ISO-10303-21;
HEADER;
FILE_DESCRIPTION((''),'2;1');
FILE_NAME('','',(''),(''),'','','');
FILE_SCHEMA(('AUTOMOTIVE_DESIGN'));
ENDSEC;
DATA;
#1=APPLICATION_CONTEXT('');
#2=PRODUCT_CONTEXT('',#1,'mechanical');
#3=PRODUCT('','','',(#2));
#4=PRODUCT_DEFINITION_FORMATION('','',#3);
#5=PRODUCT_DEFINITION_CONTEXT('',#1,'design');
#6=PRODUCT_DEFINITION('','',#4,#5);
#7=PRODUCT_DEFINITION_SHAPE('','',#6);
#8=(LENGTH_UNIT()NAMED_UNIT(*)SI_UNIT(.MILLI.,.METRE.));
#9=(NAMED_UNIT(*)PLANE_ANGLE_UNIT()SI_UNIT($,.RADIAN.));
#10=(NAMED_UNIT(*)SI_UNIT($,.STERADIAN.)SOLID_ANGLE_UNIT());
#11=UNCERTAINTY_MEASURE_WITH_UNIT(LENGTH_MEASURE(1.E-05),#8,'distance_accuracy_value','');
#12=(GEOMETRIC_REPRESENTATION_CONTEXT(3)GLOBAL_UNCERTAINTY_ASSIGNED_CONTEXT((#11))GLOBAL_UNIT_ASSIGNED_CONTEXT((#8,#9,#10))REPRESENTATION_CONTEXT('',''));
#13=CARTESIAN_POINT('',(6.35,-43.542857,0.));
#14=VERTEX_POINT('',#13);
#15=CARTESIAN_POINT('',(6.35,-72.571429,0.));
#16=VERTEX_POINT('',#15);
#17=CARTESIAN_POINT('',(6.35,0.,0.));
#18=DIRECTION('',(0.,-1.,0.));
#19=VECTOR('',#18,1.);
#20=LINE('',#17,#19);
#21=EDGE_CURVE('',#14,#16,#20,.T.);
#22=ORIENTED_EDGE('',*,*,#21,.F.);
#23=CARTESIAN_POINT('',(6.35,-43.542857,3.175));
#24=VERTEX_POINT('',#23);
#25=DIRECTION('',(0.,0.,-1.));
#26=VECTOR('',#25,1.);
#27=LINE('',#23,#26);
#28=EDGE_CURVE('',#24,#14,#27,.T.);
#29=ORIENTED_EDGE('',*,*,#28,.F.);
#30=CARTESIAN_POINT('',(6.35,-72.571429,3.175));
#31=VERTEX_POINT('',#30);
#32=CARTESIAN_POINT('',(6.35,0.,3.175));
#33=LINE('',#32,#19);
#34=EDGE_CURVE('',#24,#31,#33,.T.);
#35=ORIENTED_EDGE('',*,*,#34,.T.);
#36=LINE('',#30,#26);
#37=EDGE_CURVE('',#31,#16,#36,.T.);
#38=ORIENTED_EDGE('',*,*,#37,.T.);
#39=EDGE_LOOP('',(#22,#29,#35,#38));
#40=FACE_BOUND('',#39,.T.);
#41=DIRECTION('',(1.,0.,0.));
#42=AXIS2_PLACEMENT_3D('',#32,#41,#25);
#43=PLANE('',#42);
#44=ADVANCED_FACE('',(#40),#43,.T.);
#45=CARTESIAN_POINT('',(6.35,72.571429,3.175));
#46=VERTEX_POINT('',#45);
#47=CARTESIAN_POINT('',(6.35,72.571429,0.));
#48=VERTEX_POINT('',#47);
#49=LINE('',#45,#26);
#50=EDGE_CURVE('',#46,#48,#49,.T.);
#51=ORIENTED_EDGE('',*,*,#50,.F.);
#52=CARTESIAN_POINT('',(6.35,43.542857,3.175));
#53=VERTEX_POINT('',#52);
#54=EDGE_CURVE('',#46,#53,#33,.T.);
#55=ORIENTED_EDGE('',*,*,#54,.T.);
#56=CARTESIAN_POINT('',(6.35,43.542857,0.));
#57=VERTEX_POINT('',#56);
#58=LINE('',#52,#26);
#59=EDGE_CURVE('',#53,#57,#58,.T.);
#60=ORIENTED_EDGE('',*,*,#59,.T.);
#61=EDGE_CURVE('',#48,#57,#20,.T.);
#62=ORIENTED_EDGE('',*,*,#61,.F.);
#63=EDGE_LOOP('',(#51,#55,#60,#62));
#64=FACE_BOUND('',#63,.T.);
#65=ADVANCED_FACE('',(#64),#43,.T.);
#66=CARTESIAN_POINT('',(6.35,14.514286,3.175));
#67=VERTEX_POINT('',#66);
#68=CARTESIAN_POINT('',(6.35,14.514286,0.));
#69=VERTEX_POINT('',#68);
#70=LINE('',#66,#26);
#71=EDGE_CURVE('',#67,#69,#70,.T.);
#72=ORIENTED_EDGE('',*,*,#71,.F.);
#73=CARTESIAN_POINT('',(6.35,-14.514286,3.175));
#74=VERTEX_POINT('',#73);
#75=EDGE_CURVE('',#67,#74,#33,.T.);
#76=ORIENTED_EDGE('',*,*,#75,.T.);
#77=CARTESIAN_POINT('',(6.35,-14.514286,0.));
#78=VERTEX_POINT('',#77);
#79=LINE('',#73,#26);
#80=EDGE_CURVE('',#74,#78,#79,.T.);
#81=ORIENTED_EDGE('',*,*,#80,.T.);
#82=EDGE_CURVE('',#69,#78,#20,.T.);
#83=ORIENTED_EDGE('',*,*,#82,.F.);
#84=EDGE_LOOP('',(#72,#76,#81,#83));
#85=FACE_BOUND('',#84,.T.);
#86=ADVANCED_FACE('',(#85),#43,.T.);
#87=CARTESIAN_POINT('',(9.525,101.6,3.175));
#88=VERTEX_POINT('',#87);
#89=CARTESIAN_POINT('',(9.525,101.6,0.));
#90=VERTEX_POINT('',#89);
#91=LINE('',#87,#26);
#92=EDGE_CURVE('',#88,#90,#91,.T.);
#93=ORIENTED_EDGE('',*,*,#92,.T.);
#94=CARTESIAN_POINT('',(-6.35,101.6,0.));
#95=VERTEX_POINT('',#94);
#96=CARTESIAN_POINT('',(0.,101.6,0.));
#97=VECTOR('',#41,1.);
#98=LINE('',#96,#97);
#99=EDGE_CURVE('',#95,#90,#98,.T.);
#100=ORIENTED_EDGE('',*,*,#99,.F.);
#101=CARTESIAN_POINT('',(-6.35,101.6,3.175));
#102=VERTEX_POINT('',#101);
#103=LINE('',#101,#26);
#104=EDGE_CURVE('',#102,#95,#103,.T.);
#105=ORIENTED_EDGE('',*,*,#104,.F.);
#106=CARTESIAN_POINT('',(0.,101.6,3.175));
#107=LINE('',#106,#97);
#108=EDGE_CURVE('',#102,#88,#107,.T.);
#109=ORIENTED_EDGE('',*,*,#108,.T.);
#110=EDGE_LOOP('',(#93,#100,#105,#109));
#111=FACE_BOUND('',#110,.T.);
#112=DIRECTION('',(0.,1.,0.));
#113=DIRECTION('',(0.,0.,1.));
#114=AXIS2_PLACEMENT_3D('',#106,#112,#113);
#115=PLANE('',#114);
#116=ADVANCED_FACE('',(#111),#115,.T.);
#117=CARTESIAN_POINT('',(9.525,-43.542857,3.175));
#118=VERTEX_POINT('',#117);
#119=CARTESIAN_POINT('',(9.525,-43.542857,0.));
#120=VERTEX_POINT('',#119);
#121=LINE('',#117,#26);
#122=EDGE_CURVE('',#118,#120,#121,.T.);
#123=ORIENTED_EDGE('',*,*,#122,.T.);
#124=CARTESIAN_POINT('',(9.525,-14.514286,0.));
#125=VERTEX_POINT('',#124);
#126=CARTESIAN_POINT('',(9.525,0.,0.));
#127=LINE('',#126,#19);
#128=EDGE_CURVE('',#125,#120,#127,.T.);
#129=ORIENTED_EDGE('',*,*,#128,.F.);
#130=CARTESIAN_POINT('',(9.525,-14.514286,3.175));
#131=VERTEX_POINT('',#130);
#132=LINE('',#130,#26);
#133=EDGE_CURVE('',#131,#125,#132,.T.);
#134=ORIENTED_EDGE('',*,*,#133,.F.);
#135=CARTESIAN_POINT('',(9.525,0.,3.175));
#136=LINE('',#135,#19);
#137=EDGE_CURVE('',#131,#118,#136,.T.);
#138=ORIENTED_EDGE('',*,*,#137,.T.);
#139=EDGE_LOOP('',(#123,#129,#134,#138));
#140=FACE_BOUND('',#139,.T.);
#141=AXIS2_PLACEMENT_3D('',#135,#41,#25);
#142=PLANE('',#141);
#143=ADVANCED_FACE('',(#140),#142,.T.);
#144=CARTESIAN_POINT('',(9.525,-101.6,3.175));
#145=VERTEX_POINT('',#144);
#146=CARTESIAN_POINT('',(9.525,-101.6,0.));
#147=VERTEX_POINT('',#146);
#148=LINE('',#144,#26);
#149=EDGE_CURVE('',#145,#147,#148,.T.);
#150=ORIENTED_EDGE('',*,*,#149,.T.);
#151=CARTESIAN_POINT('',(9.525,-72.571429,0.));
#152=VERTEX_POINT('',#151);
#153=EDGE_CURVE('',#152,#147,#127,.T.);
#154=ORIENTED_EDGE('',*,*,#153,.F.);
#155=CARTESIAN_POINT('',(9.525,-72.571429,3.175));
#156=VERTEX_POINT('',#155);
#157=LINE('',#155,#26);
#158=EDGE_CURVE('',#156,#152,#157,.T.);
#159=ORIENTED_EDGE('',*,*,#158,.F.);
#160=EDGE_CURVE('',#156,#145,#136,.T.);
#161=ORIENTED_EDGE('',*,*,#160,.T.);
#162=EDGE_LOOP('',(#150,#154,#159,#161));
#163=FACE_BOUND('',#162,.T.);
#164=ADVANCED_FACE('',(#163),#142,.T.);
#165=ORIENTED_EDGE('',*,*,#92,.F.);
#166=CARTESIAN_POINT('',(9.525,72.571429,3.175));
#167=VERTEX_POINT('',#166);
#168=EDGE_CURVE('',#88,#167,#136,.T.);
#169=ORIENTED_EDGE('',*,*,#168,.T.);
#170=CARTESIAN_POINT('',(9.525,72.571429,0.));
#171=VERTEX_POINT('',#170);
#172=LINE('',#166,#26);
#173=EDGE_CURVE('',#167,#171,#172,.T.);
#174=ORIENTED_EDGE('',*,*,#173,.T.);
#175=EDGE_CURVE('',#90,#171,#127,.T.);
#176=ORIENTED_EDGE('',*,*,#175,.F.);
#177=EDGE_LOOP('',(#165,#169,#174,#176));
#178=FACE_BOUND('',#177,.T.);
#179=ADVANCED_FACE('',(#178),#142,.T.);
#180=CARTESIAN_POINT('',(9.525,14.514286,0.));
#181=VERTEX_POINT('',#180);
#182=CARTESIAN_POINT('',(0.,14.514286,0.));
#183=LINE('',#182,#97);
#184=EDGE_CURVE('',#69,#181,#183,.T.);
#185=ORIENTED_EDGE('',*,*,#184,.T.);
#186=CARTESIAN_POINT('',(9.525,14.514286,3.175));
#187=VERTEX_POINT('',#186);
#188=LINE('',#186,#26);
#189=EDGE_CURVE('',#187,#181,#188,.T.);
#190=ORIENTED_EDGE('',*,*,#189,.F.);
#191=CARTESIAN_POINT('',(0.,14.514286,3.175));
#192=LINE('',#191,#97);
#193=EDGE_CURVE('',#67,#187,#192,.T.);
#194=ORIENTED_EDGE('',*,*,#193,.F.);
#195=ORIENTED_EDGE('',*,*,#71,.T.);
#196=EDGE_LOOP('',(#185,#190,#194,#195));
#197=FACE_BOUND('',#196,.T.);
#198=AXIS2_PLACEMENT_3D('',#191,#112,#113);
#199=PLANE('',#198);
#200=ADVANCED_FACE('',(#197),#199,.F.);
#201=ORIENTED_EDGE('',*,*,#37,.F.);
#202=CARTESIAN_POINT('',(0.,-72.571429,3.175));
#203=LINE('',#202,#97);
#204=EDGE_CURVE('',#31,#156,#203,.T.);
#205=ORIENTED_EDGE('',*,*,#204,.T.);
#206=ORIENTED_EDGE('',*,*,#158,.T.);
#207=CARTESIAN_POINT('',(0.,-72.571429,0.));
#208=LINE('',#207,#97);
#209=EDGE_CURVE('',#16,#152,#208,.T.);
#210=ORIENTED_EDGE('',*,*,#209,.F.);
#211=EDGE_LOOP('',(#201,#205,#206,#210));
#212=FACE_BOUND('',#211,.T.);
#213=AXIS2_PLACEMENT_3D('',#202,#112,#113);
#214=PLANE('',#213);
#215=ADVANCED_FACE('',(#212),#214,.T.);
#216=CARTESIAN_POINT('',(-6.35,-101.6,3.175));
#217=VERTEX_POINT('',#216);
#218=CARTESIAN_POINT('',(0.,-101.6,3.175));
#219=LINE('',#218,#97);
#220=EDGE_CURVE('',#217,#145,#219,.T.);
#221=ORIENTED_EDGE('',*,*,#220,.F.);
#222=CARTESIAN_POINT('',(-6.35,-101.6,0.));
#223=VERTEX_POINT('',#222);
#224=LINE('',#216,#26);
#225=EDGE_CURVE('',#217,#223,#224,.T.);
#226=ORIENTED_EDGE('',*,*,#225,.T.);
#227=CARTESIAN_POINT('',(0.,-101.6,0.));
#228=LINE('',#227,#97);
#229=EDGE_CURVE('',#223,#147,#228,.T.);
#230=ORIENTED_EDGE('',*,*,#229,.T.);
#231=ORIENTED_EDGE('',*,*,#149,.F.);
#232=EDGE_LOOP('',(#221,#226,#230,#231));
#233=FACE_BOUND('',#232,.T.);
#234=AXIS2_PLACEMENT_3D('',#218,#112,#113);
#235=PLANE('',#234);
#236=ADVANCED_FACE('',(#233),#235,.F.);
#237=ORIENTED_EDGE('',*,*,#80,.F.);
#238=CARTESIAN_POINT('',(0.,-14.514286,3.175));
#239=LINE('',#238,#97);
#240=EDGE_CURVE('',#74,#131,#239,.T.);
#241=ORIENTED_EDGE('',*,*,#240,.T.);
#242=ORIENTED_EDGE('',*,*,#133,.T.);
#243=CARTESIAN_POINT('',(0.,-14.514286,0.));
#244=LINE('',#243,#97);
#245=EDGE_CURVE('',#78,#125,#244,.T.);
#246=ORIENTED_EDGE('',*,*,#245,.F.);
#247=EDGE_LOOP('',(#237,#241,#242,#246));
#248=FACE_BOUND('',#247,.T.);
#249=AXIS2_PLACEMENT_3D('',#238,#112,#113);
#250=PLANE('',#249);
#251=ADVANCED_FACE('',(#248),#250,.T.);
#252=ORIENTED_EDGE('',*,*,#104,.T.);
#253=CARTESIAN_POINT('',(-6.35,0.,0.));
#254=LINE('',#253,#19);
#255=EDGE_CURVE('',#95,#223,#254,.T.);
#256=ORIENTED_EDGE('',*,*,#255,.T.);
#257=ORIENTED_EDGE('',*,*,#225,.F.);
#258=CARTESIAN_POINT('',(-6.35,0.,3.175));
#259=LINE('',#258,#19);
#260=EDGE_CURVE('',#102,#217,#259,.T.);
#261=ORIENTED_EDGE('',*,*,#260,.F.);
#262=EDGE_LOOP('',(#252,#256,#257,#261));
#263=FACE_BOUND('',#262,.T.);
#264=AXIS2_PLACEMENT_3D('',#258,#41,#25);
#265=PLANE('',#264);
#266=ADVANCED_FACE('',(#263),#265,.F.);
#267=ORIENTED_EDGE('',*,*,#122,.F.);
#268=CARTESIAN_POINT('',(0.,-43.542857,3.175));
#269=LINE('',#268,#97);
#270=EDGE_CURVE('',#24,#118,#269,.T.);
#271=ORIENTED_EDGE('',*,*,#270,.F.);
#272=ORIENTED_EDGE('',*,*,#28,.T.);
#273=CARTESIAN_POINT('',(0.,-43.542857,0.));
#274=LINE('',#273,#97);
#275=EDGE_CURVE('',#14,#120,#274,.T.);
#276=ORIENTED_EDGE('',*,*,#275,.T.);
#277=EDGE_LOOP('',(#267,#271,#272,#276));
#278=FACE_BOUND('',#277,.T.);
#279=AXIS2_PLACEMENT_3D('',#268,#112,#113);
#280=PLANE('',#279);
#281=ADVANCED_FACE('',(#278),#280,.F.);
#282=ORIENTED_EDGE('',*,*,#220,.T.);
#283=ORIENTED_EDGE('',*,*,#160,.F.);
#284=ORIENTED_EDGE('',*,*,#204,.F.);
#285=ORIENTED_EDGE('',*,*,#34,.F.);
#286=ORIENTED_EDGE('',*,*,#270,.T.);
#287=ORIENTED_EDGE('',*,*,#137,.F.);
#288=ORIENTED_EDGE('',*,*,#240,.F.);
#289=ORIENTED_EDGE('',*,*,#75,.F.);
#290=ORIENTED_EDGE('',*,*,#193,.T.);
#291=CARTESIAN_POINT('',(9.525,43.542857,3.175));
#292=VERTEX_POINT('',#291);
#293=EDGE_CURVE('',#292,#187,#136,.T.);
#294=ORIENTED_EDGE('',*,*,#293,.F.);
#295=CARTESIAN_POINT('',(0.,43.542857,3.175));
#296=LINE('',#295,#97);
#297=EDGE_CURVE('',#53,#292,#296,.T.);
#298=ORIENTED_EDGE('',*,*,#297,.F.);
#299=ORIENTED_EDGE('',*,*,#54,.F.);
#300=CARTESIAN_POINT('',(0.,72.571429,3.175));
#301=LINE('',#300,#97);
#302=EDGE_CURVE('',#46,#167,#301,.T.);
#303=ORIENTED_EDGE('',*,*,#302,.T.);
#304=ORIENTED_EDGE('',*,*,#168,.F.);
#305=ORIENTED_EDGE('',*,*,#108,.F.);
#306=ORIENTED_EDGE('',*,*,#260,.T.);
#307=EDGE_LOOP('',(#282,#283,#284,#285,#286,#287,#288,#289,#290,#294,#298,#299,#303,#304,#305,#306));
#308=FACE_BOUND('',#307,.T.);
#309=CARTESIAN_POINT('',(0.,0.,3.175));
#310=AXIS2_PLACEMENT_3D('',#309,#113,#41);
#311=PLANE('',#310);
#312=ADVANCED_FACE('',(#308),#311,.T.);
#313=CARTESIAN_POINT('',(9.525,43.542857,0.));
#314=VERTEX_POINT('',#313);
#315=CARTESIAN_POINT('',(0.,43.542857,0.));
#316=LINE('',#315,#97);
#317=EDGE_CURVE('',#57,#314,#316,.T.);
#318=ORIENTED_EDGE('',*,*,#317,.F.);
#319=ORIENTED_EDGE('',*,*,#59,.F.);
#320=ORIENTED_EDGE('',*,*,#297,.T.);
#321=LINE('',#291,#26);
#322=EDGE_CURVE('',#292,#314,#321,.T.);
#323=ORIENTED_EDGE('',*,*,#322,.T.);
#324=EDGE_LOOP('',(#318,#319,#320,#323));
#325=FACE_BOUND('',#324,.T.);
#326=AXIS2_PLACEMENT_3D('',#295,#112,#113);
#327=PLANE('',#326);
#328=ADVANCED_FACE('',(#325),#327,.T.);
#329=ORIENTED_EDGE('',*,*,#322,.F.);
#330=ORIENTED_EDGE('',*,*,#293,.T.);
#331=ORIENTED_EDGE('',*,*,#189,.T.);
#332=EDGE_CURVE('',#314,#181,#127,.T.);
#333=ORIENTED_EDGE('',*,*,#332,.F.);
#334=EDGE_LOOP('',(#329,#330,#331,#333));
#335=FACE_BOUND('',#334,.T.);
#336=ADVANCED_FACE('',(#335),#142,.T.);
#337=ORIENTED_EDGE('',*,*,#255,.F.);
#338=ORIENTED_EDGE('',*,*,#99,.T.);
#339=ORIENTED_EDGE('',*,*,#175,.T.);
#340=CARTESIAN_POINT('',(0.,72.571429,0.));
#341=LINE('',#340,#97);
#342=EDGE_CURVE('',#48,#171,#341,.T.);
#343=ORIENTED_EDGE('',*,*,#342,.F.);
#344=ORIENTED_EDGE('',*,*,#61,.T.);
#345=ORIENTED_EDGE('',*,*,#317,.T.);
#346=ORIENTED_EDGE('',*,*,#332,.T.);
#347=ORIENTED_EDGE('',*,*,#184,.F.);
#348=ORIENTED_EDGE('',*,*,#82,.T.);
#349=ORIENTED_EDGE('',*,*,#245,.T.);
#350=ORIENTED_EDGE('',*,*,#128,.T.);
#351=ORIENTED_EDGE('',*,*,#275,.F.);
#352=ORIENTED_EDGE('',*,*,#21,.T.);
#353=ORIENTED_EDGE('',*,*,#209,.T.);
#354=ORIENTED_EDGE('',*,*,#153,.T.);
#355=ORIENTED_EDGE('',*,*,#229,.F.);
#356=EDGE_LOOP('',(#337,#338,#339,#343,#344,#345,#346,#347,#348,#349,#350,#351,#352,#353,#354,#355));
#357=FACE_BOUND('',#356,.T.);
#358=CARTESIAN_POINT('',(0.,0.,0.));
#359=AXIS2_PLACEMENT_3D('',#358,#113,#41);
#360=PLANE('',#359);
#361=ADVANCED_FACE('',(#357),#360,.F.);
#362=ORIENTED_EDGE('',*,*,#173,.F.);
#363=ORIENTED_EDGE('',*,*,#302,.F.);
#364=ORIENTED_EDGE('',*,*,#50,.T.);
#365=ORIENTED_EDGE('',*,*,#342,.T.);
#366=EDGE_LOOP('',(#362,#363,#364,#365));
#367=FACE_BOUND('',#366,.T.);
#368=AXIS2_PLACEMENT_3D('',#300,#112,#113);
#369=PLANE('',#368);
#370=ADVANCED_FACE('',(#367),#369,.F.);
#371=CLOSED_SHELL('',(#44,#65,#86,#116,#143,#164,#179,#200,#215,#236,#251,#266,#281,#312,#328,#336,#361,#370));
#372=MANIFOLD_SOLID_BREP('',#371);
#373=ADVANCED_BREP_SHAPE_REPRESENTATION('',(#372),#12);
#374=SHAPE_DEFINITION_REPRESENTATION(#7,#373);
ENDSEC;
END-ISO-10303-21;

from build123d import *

# Parameters (mm, degrees)
SKETCH1_W           = 6.35
SKETCH1_H           = 203.2
SKETCH1_W_2         = 3.175
SKETCH1_H_2         = 29.028571429
BOSS_EXTRUDE1_DEPTH = 3.175


with BuildPart() as part:
    # Sketch1 → Boss-Extrude1 (new body)
    with BuildSketch(Plane.XY):
        with Locations((-3.175, 0)):
            Rectangle(SKETCH1_W, SKETCH1_H)
        Polygon((6.35, 101.6), (0, 101.6), (0, -101.6), (6.35, -101.6), (6.35, -72.571428571), (6.35, -43.542857143), (6.35, -14.514285714), (6.35, 14.514285714), (6.35, 43.542857143), (6.35, 72.571428571), align=None)
        with Locations((7.9375, 87.085714286)):
            Rectangle(SKETCH1_W_2, SKETCH1_H_2)
        with Locations((7.9375, 29.028571429)):
            Rectangle(SKETCH1_W_2, SKETCH1_H_2)
        with Locations((7.9375, -29.028571429)):
            Rectangle(SKETCH1_W_2, SKETCH1_H_2)
        with Locations((7.9375, -87.085714286)):
            Rectangle(SKETCH1_W_2, SKETCH1_H_2)
    extrude(amount=BOSS_EXTRUDE1_DEPTH)


solid = part.part
